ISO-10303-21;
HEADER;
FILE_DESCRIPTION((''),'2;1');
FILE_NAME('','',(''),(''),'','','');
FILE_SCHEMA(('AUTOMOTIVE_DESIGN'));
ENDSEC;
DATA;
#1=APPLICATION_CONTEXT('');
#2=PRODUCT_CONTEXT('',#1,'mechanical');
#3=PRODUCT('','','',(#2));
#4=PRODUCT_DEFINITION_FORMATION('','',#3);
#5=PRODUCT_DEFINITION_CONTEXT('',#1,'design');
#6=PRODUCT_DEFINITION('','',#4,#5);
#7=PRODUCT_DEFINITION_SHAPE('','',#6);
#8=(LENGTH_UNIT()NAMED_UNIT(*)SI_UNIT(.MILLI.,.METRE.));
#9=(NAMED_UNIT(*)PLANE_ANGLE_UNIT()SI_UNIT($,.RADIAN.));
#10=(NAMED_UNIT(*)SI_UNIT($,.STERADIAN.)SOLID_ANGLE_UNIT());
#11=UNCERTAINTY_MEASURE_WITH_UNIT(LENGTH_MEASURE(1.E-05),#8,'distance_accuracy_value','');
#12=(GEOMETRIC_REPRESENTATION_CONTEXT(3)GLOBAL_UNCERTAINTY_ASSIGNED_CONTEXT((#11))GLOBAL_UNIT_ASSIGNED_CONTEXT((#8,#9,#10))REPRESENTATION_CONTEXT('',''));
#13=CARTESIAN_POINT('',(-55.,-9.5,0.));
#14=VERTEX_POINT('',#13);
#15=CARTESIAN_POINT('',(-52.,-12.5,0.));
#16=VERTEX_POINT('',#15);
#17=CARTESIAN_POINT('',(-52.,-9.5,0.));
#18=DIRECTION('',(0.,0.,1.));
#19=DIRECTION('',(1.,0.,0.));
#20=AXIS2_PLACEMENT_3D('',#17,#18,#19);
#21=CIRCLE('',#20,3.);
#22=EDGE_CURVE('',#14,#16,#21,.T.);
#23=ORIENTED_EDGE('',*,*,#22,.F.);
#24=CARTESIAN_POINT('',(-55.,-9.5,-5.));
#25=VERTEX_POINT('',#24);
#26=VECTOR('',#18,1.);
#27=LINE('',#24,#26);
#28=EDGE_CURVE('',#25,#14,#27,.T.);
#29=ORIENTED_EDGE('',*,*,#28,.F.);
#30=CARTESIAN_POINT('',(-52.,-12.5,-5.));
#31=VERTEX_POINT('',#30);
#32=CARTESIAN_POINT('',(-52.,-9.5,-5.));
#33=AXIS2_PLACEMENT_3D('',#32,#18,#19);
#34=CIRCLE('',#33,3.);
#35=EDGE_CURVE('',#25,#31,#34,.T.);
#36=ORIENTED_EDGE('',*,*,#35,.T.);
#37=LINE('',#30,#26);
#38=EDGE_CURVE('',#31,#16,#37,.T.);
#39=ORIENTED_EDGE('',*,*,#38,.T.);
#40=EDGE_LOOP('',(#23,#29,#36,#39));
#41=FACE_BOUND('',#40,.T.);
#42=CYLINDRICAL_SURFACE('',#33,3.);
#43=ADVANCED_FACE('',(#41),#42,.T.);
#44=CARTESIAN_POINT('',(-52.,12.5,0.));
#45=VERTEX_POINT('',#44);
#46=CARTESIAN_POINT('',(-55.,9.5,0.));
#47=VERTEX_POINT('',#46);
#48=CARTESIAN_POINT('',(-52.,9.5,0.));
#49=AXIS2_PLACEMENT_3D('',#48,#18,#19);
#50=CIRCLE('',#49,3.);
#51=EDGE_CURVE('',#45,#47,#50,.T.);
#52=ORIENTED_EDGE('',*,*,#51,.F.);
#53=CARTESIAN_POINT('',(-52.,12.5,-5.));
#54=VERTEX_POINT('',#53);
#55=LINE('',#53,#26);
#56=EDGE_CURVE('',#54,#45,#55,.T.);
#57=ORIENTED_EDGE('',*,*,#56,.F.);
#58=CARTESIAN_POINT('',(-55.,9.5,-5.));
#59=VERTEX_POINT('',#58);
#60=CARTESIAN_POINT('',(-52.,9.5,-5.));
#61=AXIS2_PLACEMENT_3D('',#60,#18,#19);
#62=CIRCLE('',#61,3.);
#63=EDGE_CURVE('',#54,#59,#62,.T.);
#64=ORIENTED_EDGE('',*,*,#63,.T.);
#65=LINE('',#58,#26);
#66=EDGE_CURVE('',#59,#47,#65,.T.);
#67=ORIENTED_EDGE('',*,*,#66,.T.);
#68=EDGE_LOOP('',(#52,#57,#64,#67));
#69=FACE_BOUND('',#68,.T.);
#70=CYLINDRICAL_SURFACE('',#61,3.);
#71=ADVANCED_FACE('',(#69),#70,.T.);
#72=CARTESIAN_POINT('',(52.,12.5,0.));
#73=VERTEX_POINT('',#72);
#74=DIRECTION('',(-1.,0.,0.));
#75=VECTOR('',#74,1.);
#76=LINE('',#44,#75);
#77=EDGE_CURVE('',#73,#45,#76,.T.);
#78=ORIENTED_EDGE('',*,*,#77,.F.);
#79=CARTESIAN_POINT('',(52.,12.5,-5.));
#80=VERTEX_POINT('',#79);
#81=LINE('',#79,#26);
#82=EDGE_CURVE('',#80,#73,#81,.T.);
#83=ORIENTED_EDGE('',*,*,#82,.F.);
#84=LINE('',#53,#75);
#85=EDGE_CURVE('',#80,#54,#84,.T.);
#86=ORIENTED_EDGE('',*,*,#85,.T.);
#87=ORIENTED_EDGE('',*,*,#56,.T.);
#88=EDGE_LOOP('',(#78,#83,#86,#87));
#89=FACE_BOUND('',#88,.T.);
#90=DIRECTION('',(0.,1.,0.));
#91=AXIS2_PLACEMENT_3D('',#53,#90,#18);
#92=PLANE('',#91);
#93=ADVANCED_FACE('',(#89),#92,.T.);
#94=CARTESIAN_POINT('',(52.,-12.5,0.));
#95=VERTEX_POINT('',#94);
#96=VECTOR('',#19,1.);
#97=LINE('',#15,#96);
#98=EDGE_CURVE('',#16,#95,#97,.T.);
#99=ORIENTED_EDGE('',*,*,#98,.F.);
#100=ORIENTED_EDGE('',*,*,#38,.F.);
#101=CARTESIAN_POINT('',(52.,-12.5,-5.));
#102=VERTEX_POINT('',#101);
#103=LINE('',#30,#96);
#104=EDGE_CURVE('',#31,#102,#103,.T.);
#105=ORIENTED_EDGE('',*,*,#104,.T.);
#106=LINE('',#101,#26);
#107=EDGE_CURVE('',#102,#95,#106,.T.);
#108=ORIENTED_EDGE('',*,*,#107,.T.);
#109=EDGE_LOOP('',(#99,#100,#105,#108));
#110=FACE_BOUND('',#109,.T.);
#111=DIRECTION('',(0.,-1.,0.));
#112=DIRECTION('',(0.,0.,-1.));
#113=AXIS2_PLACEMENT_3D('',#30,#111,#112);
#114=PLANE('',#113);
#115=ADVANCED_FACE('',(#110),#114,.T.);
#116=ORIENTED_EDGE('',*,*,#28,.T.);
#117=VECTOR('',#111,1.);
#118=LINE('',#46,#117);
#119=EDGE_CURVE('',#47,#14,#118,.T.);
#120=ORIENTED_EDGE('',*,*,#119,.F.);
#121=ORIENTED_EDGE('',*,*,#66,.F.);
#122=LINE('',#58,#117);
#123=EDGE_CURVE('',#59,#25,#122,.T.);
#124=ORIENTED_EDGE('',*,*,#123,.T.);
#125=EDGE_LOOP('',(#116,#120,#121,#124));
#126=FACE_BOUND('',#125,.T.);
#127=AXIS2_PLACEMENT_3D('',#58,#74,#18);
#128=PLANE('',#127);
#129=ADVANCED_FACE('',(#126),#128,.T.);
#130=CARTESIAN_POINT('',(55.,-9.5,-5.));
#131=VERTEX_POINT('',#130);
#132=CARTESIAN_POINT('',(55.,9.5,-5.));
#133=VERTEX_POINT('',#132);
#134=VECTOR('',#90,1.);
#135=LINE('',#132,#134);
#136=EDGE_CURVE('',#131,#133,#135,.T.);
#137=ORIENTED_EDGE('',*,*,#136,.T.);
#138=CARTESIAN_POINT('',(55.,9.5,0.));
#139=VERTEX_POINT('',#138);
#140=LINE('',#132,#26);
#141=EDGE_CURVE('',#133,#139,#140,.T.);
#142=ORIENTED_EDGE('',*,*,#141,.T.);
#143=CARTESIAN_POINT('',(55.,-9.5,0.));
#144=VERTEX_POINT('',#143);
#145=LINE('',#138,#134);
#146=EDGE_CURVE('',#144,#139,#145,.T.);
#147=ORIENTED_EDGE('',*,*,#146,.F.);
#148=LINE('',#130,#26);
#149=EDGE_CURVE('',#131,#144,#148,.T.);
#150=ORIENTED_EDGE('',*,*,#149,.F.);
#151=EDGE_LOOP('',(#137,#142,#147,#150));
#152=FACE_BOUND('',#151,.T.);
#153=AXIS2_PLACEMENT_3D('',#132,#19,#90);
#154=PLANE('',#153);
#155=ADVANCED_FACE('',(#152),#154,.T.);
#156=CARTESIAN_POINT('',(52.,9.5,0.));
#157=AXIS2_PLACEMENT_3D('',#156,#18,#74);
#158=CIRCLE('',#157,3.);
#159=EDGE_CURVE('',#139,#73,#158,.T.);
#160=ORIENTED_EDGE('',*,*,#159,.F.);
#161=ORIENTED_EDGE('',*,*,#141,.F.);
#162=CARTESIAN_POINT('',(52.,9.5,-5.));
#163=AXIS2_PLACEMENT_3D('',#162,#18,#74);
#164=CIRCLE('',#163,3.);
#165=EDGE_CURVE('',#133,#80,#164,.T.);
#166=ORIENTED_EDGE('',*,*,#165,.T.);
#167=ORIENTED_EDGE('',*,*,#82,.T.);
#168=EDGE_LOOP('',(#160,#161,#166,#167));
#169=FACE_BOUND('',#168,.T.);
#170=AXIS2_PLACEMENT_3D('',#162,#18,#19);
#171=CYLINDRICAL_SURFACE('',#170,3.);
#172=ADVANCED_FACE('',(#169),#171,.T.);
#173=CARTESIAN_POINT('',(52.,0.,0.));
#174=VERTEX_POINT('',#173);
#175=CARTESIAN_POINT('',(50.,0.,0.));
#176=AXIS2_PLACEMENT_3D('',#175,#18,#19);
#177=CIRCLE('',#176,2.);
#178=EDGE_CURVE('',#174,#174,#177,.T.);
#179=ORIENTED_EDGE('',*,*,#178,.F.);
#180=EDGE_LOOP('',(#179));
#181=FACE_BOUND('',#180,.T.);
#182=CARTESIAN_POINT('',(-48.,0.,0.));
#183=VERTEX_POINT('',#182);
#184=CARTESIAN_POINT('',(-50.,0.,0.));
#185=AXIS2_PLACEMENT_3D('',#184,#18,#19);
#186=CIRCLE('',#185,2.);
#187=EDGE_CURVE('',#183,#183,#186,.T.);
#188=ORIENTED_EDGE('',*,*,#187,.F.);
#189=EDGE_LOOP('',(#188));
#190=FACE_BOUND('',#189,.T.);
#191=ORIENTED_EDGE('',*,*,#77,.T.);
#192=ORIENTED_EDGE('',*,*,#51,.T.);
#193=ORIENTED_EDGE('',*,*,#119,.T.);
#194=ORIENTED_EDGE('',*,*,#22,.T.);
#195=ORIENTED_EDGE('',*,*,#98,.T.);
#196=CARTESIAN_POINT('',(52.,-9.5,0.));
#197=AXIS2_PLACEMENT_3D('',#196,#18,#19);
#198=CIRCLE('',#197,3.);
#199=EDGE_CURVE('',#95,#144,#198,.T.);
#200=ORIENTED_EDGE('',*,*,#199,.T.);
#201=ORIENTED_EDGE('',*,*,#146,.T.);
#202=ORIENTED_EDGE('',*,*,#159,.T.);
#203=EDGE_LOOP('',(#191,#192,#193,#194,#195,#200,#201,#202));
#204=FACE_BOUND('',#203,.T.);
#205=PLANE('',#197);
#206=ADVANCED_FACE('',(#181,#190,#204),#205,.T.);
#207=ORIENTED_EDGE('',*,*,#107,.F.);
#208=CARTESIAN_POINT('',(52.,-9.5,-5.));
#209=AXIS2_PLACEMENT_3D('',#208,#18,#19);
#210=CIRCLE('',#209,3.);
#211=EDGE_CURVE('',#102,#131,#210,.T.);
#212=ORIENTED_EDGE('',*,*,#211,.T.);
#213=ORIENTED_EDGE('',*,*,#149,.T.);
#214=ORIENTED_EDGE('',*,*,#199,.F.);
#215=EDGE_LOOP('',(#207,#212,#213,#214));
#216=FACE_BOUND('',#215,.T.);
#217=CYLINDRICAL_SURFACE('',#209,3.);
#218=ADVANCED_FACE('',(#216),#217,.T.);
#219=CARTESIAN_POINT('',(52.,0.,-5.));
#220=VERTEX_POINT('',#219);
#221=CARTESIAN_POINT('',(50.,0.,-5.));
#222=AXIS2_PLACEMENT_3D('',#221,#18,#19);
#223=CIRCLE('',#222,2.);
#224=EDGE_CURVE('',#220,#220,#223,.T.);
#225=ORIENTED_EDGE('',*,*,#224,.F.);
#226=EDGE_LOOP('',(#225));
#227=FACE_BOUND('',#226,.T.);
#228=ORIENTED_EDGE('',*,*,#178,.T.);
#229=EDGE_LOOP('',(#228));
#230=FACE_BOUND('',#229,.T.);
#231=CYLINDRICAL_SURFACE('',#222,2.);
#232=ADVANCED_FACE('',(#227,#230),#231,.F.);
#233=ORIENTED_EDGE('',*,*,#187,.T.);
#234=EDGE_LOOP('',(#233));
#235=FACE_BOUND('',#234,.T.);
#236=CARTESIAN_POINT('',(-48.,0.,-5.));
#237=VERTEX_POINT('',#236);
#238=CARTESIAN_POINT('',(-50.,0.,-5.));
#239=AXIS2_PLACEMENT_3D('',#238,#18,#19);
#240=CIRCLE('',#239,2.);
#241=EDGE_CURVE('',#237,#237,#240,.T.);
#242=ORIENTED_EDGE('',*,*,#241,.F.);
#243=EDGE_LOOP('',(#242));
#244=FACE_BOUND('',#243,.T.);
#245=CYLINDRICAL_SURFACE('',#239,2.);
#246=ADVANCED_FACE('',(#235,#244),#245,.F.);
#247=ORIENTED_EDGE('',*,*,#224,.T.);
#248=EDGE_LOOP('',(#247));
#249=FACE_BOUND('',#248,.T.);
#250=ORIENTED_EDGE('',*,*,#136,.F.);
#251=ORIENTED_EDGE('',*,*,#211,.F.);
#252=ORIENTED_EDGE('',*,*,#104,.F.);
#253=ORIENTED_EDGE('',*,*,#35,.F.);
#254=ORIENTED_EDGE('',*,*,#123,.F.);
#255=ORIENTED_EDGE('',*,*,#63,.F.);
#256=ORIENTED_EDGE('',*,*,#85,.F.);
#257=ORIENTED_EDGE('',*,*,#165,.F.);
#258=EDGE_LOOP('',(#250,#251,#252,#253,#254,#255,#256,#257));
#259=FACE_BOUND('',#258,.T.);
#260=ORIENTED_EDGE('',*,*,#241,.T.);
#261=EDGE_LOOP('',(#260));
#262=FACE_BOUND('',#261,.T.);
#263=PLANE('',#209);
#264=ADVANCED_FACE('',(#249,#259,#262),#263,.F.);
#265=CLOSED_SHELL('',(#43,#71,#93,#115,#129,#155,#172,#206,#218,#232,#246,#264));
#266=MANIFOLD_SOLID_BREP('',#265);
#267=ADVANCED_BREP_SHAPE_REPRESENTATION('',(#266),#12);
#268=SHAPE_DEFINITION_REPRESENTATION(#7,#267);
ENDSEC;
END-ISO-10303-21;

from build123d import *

# Parameters (mm, degrees)
EXTRUDE_1_DEPTH     = 5
SKETCH_2_R          = 2
CUT_EXTRUDE_1_DEPTH = 6


with BuildPart() as part:
    # 草图1 → 凸台-拉伸1 (new body)
    with BuildSketch(Plane.XY):
        with BuildLine():
            Line((-52, 12.5), (52, 12.5))
            ThreePointArc((52, 12.5), (54.121320344, 11.621320344), (55, 9.5))
            Line((55, 9.5), (55, -9.5))
            ThreePointArc((55, -9.5), (54.121320344, -11.621320344), (52, -12.5))
            Line((52, -12.5), (-52, -12.5))
            ThreePointArc((-52, -12.5), (-54.121320344, -11.621320344), (-55, -9.5))
            Line((-55, -9.5), (-55, 9.5))
            ThreePointArc((-55, 9.5), (-54.121320344, 11.621320344), (-52, 12.5))
        make_face()
    extrude(amount=-EXTRUDE_1_DEPTH)

    # 草图2 → 切除-拉伸1 (cut, through all)
    with BuildSketch(Plane.XY):
        with Locations((50, 0)):
            Circle(SKETCH_2_R)
        with Locations((-50, 0)):
            Circle(SKETCH_2_R)
    extrude(amount=-CUT_EXTRUDE_1_DEPTH, mode=Mode.SUBTRACT)


solid = part.part
